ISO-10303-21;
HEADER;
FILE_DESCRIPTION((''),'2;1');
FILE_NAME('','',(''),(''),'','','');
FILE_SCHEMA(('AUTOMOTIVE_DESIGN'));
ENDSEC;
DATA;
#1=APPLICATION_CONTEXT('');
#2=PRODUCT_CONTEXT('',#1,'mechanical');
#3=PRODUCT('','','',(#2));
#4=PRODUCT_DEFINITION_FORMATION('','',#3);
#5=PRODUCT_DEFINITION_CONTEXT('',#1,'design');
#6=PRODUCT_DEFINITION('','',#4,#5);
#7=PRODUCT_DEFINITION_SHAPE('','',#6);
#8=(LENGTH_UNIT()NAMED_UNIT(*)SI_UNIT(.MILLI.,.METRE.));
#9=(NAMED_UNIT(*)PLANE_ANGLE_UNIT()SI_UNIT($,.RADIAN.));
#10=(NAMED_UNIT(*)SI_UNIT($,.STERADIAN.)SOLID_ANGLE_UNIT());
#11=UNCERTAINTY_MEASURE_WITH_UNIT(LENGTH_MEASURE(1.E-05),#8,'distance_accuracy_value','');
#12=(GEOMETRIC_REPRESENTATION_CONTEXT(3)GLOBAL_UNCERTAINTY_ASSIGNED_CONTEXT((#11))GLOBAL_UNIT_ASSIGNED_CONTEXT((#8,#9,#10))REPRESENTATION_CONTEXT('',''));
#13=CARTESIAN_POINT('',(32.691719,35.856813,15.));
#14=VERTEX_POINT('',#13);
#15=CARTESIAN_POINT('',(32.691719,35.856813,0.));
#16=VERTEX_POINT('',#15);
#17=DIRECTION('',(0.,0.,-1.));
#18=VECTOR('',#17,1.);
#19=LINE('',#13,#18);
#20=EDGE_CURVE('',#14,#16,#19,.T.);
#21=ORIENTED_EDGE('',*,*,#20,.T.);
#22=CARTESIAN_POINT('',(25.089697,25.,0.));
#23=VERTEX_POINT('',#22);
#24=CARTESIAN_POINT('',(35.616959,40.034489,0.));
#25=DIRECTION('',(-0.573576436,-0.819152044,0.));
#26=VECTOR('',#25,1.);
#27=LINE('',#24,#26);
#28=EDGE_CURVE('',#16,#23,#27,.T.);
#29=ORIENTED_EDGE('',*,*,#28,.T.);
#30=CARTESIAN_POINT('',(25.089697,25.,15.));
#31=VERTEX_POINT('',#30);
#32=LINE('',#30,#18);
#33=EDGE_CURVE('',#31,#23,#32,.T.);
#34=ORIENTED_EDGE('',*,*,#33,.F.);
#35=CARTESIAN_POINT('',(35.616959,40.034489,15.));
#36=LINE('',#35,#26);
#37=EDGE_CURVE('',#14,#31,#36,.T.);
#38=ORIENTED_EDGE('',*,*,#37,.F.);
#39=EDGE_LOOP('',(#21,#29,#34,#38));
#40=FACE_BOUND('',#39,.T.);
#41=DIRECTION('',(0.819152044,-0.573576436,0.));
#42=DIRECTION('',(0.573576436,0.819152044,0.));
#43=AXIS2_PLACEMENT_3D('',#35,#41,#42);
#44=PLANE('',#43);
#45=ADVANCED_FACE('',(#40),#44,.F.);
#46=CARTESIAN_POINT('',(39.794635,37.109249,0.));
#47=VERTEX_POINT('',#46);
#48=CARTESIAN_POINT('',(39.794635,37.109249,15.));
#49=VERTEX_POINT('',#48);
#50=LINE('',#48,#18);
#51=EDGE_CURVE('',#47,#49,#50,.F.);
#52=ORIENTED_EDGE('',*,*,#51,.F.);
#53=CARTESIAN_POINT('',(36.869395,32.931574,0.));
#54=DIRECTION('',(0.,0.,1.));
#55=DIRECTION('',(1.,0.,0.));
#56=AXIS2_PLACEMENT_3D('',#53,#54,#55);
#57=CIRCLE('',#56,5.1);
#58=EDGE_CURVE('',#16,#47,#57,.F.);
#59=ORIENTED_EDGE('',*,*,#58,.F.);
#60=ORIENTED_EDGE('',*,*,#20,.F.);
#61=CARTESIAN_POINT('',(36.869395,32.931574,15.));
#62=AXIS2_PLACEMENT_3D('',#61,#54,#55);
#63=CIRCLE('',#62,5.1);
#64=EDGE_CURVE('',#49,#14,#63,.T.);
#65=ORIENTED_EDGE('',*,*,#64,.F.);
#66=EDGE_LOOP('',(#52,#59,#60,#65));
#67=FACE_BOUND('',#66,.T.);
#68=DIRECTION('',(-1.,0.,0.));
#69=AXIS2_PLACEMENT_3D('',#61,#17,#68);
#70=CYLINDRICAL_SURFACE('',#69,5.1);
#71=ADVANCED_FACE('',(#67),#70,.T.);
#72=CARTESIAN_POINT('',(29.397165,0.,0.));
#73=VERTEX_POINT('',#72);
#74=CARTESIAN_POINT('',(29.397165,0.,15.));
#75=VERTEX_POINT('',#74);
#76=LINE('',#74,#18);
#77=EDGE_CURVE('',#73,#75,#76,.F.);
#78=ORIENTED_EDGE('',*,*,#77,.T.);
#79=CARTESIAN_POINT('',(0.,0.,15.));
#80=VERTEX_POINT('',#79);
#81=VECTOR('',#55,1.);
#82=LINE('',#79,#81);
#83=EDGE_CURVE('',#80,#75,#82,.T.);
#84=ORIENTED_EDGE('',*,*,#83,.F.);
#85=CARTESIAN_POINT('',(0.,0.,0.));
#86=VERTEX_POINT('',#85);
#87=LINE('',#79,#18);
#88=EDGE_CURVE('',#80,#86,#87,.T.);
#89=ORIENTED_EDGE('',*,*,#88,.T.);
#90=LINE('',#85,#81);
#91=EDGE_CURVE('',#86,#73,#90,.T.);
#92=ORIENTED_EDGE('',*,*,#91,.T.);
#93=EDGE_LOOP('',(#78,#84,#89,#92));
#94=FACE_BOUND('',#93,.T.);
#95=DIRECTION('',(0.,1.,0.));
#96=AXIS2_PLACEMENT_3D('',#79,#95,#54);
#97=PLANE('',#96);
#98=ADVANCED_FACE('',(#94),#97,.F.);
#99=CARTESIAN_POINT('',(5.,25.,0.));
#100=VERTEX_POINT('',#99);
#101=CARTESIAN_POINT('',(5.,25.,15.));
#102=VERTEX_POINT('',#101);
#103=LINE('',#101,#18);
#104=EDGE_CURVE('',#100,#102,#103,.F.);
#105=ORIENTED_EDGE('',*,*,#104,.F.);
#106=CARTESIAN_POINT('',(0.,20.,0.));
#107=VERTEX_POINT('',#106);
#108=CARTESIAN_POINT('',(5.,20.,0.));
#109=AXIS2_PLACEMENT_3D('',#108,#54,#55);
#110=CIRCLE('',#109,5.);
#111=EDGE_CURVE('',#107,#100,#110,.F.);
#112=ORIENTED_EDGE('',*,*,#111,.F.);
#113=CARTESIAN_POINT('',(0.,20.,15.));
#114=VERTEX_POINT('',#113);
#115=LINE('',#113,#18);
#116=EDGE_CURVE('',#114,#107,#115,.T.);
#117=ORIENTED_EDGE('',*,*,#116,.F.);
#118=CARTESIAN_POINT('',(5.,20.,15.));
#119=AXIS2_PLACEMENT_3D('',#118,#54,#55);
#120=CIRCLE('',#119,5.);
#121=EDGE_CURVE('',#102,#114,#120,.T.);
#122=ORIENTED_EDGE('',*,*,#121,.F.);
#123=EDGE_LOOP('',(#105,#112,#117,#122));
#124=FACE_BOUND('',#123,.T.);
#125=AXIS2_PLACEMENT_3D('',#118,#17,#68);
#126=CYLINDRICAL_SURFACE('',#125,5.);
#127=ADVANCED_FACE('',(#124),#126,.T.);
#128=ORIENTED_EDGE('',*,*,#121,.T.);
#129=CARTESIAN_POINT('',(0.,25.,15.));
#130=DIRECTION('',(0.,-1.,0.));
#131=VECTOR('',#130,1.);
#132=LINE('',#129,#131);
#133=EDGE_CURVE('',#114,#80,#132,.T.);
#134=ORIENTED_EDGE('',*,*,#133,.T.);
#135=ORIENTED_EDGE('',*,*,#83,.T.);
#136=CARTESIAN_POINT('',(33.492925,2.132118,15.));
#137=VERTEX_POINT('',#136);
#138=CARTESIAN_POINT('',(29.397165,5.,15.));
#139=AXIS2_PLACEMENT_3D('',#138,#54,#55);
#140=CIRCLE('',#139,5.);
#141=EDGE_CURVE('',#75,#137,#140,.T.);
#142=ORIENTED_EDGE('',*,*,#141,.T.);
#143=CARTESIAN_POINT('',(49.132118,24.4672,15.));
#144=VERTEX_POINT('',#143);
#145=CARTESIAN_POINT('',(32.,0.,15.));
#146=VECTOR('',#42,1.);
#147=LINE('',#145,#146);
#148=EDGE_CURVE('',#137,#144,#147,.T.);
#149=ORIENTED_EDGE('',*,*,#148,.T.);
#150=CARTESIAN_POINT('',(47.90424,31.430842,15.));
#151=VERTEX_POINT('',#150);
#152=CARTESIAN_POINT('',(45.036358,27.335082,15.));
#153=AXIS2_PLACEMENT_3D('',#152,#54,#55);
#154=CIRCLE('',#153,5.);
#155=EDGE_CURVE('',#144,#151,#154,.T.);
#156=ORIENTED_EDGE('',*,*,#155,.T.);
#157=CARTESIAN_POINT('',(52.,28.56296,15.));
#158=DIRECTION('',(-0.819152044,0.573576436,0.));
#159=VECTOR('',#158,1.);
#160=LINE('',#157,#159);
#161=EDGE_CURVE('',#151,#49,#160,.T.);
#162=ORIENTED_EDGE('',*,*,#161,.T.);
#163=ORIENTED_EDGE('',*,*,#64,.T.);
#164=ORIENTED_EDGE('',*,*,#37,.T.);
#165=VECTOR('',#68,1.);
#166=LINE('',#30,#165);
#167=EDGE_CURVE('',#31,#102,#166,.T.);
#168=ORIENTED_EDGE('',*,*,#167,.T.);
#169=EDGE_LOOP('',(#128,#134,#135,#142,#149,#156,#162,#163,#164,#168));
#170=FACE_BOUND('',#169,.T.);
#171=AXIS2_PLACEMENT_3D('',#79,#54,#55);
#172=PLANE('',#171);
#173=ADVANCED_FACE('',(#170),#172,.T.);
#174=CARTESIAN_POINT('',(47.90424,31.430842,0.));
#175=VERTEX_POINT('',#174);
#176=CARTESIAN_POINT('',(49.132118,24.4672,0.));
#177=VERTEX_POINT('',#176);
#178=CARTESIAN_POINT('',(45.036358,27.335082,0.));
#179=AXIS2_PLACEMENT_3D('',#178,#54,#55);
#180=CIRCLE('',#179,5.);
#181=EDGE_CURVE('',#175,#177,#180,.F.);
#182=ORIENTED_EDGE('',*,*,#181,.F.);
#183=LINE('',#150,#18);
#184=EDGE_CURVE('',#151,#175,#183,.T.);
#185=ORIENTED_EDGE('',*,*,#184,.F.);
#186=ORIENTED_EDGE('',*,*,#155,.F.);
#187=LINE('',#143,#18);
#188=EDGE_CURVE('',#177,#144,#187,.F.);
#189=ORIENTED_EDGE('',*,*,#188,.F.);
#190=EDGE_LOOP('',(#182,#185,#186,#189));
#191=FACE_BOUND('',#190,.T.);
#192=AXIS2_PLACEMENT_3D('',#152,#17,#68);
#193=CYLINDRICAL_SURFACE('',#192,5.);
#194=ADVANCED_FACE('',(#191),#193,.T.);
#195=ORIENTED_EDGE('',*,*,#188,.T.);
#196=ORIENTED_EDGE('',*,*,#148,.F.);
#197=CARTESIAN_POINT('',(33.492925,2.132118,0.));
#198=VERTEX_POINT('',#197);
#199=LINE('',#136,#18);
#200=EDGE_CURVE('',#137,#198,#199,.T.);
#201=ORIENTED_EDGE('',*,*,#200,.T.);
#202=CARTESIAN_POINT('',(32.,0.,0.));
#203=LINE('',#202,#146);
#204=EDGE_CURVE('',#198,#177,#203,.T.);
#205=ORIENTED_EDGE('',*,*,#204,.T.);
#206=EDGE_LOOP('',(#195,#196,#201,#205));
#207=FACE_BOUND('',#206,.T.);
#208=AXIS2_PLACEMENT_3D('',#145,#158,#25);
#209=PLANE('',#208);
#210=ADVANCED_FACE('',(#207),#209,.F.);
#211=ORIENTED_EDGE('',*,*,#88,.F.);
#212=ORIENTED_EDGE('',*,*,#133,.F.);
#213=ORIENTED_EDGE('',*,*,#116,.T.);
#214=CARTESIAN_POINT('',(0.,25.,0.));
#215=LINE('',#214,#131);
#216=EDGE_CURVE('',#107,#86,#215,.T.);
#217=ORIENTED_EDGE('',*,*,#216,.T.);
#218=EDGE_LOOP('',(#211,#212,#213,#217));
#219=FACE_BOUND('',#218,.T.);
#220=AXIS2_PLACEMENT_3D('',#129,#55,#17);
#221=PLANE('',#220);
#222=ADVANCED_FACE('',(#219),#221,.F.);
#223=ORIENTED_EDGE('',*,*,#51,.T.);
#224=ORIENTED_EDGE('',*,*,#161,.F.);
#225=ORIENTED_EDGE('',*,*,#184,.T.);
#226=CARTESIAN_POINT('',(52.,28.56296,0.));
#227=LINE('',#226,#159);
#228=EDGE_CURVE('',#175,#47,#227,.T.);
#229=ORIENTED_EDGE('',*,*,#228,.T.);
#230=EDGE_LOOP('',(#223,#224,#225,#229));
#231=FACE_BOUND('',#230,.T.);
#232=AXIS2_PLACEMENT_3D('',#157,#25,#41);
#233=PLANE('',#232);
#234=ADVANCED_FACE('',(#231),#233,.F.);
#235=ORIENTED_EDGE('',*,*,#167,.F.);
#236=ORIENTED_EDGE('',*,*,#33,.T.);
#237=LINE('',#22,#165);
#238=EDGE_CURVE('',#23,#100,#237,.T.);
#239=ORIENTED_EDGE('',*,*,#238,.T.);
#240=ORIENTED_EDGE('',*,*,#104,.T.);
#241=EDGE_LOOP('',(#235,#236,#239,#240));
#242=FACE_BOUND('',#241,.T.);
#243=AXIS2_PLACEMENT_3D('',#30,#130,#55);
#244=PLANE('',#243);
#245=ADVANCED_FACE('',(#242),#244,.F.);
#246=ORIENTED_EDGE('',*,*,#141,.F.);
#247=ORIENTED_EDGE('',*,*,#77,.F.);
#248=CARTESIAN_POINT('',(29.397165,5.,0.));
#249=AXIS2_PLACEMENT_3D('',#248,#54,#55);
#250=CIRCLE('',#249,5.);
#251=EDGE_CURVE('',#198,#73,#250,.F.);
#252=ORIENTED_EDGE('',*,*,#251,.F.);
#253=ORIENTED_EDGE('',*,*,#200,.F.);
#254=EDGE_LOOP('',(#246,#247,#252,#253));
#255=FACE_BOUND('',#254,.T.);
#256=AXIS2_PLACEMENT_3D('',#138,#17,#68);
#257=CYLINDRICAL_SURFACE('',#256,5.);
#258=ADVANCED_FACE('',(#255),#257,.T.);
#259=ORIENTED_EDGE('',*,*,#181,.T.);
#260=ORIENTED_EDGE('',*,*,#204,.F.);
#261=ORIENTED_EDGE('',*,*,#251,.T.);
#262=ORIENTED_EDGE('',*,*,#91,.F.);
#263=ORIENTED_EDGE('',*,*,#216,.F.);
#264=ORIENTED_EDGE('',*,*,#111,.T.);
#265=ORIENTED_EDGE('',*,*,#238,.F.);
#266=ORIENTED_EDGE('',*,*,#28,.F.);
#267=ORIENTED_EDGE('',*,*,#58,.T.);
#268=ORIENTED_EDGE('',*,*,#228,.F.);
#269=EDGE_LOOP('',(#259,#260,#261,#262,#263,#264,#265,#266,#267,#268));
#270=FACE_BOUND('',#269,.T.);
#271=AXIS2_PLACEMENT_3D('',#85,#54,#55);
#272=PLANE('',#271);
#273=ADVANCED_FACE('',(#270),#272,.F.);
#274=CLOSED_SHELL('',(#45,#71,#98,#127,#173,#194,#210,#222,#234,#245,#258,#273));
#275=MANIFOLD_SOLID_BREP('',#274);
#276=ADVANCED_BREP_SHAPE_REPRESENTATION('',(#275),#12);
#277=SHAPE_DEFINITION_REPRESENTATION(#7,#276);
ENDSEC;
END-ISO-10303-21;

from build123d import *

# Parameters (mm, degrees)
EXTRUDE_1_DEPTH = 15
FILLET_1_R      = 5.1
FILLET_2_R      = 5
FILLET_3_R      = 5
FILLET_4_R      = 5


with BuildPart() as part:
    # 스케치1 → 보스-돌출1 (new body)
    with BuildSketch(Plane.XY):
        Polygon((0, 0), (32, 0), (52, 28.562960135), (35.616959114, 40.034488862), (25.08969668, 25), (0, 25), align=None)
    extrude(amount=EXTRUDE_1_DEPTH)

    # 필렛1
    fillet_1_edges = [part.edges().sort_by_distance(p)[0] for p in [
        (35.616959114, 40.034488862, 7.5),
    ]]
    fillet(fillet_1_edges, radius=FILLET_1_R)

    # 필렛2
    fillet_2_edges = [part.edges().sort_by_distance(p)[0] for p in [
        (32, 0, 7.5),
    ]]
    fillet(fillet_2_edges, radius=FILLET_2_R)

    # 필렛3
    fillet_3_edges = [part.edges().sort_by_distance(p)[0] for p in [
        (0, 25, 7.5),
    ]]
    fillet(fillet_3_edges, radius=FILLET_3_R)

    # 필렛4
    fillet_4_edges = [part.edges().sort_by_distance(p)[0] for p in [
        (52, 28.562960135, 7.5),
    ]]
    fillet(fillet_4_edges, radius=FILLET_4_R)


solid = part.part
